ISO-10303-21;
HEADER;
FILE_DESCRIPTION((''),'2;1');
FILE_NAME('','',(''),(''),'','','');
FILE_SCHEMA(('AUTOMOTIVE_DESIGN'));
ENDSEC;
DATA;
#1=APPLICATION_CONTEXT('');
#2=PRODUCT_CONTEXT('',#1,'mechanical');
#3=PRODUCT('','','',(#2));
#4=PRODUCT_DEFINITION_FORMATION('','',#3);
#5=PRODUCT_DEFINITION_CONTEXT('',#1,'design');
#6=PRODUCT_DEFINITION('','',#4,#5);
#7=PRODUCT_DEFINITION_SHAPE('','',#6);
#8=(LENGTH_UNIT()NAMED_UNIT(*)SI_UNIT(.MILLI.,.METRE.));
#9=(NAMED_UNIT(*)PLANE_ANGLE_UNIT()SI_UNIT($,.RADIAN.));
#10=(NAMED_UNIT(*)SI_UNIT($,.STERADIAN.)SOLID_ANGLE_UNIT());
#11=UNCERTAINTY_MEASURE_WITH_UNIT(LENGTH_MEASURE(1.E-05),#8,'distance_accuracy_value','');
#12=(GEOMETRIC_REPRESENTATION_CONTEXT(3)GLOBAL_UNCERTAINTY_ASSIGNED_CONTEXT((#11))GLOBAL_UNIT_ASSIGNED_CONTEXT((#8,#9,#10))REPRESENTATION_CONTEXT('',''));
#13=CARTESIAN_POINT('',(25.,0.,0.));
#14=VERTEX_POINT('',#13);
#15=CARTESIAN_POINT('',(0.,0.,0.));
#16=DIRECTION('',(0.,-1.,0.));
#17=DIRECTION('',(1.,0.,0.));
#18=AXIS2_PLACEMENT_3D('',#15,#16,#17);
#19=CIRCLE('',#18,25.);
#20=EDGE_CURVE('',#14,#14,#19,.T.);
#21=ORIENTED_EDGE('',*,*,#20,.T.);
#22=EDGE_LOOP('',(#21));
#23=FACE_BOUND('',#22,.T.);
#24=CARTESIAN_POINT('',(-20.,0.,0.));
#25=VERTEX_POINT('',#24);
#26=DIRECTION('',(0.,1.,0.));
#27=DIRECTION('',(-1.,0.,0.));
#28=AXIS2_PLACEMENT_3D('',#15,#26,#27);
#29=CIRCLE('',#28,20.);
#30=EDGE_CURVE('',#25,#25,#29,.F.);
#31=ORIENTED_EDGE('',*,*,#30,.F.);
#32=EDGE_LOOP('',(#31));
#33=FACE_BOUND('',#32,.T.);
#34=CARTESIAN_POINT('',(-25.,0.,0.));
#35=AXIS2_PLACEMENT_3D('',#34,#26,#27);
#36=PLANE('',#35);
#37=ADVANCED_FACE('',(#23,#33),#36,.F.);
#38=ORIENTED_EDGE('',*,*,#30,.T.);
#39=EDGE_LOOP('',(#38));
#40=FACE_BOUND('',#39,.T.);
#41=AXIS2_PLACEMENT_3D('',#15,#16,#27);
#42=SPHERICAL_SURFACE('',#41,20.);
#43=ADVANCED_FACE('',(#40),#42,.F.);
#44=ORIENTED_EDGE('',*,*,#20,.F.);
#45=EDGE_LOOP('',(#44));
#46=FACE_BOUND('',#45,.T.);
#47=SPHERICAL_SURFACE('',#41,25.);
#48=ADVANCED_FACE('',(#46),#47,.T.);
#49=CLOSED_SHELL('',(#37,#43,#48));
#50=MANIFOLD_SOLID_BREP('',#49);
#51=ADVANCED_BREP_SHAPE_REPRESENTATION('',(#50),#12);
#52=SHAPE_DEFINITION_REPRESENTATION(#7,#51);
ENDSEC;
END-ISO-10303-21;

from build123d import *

# Parameters (mm, degrees)
SHELL1_T = -5


with BuildPart() as part:
    # Sketch1 → Revolve1 (revolve)
    with BuildSketch(Plane.XY):
        with BuildLine():
            Line((-25, 0), (0, 0))
            Line((0, 0), (0, 25))
            ThreePointArc((0, 25), (-17.67766953, 17.67766953), (-25, 0))
        make_face()
    revolve(axis=Axis((0, 0, 0), (0, 1, 0)))

    # Shell1
    shell1_openings = [part.faces().sort_by_distance(p)[0] for p in [
        (0, 0, 0),
    ]]
    offset(amount=SHELL1_T, openings=shell1_openings, kind=Kind.INTERSECTION)


solid = part.part
